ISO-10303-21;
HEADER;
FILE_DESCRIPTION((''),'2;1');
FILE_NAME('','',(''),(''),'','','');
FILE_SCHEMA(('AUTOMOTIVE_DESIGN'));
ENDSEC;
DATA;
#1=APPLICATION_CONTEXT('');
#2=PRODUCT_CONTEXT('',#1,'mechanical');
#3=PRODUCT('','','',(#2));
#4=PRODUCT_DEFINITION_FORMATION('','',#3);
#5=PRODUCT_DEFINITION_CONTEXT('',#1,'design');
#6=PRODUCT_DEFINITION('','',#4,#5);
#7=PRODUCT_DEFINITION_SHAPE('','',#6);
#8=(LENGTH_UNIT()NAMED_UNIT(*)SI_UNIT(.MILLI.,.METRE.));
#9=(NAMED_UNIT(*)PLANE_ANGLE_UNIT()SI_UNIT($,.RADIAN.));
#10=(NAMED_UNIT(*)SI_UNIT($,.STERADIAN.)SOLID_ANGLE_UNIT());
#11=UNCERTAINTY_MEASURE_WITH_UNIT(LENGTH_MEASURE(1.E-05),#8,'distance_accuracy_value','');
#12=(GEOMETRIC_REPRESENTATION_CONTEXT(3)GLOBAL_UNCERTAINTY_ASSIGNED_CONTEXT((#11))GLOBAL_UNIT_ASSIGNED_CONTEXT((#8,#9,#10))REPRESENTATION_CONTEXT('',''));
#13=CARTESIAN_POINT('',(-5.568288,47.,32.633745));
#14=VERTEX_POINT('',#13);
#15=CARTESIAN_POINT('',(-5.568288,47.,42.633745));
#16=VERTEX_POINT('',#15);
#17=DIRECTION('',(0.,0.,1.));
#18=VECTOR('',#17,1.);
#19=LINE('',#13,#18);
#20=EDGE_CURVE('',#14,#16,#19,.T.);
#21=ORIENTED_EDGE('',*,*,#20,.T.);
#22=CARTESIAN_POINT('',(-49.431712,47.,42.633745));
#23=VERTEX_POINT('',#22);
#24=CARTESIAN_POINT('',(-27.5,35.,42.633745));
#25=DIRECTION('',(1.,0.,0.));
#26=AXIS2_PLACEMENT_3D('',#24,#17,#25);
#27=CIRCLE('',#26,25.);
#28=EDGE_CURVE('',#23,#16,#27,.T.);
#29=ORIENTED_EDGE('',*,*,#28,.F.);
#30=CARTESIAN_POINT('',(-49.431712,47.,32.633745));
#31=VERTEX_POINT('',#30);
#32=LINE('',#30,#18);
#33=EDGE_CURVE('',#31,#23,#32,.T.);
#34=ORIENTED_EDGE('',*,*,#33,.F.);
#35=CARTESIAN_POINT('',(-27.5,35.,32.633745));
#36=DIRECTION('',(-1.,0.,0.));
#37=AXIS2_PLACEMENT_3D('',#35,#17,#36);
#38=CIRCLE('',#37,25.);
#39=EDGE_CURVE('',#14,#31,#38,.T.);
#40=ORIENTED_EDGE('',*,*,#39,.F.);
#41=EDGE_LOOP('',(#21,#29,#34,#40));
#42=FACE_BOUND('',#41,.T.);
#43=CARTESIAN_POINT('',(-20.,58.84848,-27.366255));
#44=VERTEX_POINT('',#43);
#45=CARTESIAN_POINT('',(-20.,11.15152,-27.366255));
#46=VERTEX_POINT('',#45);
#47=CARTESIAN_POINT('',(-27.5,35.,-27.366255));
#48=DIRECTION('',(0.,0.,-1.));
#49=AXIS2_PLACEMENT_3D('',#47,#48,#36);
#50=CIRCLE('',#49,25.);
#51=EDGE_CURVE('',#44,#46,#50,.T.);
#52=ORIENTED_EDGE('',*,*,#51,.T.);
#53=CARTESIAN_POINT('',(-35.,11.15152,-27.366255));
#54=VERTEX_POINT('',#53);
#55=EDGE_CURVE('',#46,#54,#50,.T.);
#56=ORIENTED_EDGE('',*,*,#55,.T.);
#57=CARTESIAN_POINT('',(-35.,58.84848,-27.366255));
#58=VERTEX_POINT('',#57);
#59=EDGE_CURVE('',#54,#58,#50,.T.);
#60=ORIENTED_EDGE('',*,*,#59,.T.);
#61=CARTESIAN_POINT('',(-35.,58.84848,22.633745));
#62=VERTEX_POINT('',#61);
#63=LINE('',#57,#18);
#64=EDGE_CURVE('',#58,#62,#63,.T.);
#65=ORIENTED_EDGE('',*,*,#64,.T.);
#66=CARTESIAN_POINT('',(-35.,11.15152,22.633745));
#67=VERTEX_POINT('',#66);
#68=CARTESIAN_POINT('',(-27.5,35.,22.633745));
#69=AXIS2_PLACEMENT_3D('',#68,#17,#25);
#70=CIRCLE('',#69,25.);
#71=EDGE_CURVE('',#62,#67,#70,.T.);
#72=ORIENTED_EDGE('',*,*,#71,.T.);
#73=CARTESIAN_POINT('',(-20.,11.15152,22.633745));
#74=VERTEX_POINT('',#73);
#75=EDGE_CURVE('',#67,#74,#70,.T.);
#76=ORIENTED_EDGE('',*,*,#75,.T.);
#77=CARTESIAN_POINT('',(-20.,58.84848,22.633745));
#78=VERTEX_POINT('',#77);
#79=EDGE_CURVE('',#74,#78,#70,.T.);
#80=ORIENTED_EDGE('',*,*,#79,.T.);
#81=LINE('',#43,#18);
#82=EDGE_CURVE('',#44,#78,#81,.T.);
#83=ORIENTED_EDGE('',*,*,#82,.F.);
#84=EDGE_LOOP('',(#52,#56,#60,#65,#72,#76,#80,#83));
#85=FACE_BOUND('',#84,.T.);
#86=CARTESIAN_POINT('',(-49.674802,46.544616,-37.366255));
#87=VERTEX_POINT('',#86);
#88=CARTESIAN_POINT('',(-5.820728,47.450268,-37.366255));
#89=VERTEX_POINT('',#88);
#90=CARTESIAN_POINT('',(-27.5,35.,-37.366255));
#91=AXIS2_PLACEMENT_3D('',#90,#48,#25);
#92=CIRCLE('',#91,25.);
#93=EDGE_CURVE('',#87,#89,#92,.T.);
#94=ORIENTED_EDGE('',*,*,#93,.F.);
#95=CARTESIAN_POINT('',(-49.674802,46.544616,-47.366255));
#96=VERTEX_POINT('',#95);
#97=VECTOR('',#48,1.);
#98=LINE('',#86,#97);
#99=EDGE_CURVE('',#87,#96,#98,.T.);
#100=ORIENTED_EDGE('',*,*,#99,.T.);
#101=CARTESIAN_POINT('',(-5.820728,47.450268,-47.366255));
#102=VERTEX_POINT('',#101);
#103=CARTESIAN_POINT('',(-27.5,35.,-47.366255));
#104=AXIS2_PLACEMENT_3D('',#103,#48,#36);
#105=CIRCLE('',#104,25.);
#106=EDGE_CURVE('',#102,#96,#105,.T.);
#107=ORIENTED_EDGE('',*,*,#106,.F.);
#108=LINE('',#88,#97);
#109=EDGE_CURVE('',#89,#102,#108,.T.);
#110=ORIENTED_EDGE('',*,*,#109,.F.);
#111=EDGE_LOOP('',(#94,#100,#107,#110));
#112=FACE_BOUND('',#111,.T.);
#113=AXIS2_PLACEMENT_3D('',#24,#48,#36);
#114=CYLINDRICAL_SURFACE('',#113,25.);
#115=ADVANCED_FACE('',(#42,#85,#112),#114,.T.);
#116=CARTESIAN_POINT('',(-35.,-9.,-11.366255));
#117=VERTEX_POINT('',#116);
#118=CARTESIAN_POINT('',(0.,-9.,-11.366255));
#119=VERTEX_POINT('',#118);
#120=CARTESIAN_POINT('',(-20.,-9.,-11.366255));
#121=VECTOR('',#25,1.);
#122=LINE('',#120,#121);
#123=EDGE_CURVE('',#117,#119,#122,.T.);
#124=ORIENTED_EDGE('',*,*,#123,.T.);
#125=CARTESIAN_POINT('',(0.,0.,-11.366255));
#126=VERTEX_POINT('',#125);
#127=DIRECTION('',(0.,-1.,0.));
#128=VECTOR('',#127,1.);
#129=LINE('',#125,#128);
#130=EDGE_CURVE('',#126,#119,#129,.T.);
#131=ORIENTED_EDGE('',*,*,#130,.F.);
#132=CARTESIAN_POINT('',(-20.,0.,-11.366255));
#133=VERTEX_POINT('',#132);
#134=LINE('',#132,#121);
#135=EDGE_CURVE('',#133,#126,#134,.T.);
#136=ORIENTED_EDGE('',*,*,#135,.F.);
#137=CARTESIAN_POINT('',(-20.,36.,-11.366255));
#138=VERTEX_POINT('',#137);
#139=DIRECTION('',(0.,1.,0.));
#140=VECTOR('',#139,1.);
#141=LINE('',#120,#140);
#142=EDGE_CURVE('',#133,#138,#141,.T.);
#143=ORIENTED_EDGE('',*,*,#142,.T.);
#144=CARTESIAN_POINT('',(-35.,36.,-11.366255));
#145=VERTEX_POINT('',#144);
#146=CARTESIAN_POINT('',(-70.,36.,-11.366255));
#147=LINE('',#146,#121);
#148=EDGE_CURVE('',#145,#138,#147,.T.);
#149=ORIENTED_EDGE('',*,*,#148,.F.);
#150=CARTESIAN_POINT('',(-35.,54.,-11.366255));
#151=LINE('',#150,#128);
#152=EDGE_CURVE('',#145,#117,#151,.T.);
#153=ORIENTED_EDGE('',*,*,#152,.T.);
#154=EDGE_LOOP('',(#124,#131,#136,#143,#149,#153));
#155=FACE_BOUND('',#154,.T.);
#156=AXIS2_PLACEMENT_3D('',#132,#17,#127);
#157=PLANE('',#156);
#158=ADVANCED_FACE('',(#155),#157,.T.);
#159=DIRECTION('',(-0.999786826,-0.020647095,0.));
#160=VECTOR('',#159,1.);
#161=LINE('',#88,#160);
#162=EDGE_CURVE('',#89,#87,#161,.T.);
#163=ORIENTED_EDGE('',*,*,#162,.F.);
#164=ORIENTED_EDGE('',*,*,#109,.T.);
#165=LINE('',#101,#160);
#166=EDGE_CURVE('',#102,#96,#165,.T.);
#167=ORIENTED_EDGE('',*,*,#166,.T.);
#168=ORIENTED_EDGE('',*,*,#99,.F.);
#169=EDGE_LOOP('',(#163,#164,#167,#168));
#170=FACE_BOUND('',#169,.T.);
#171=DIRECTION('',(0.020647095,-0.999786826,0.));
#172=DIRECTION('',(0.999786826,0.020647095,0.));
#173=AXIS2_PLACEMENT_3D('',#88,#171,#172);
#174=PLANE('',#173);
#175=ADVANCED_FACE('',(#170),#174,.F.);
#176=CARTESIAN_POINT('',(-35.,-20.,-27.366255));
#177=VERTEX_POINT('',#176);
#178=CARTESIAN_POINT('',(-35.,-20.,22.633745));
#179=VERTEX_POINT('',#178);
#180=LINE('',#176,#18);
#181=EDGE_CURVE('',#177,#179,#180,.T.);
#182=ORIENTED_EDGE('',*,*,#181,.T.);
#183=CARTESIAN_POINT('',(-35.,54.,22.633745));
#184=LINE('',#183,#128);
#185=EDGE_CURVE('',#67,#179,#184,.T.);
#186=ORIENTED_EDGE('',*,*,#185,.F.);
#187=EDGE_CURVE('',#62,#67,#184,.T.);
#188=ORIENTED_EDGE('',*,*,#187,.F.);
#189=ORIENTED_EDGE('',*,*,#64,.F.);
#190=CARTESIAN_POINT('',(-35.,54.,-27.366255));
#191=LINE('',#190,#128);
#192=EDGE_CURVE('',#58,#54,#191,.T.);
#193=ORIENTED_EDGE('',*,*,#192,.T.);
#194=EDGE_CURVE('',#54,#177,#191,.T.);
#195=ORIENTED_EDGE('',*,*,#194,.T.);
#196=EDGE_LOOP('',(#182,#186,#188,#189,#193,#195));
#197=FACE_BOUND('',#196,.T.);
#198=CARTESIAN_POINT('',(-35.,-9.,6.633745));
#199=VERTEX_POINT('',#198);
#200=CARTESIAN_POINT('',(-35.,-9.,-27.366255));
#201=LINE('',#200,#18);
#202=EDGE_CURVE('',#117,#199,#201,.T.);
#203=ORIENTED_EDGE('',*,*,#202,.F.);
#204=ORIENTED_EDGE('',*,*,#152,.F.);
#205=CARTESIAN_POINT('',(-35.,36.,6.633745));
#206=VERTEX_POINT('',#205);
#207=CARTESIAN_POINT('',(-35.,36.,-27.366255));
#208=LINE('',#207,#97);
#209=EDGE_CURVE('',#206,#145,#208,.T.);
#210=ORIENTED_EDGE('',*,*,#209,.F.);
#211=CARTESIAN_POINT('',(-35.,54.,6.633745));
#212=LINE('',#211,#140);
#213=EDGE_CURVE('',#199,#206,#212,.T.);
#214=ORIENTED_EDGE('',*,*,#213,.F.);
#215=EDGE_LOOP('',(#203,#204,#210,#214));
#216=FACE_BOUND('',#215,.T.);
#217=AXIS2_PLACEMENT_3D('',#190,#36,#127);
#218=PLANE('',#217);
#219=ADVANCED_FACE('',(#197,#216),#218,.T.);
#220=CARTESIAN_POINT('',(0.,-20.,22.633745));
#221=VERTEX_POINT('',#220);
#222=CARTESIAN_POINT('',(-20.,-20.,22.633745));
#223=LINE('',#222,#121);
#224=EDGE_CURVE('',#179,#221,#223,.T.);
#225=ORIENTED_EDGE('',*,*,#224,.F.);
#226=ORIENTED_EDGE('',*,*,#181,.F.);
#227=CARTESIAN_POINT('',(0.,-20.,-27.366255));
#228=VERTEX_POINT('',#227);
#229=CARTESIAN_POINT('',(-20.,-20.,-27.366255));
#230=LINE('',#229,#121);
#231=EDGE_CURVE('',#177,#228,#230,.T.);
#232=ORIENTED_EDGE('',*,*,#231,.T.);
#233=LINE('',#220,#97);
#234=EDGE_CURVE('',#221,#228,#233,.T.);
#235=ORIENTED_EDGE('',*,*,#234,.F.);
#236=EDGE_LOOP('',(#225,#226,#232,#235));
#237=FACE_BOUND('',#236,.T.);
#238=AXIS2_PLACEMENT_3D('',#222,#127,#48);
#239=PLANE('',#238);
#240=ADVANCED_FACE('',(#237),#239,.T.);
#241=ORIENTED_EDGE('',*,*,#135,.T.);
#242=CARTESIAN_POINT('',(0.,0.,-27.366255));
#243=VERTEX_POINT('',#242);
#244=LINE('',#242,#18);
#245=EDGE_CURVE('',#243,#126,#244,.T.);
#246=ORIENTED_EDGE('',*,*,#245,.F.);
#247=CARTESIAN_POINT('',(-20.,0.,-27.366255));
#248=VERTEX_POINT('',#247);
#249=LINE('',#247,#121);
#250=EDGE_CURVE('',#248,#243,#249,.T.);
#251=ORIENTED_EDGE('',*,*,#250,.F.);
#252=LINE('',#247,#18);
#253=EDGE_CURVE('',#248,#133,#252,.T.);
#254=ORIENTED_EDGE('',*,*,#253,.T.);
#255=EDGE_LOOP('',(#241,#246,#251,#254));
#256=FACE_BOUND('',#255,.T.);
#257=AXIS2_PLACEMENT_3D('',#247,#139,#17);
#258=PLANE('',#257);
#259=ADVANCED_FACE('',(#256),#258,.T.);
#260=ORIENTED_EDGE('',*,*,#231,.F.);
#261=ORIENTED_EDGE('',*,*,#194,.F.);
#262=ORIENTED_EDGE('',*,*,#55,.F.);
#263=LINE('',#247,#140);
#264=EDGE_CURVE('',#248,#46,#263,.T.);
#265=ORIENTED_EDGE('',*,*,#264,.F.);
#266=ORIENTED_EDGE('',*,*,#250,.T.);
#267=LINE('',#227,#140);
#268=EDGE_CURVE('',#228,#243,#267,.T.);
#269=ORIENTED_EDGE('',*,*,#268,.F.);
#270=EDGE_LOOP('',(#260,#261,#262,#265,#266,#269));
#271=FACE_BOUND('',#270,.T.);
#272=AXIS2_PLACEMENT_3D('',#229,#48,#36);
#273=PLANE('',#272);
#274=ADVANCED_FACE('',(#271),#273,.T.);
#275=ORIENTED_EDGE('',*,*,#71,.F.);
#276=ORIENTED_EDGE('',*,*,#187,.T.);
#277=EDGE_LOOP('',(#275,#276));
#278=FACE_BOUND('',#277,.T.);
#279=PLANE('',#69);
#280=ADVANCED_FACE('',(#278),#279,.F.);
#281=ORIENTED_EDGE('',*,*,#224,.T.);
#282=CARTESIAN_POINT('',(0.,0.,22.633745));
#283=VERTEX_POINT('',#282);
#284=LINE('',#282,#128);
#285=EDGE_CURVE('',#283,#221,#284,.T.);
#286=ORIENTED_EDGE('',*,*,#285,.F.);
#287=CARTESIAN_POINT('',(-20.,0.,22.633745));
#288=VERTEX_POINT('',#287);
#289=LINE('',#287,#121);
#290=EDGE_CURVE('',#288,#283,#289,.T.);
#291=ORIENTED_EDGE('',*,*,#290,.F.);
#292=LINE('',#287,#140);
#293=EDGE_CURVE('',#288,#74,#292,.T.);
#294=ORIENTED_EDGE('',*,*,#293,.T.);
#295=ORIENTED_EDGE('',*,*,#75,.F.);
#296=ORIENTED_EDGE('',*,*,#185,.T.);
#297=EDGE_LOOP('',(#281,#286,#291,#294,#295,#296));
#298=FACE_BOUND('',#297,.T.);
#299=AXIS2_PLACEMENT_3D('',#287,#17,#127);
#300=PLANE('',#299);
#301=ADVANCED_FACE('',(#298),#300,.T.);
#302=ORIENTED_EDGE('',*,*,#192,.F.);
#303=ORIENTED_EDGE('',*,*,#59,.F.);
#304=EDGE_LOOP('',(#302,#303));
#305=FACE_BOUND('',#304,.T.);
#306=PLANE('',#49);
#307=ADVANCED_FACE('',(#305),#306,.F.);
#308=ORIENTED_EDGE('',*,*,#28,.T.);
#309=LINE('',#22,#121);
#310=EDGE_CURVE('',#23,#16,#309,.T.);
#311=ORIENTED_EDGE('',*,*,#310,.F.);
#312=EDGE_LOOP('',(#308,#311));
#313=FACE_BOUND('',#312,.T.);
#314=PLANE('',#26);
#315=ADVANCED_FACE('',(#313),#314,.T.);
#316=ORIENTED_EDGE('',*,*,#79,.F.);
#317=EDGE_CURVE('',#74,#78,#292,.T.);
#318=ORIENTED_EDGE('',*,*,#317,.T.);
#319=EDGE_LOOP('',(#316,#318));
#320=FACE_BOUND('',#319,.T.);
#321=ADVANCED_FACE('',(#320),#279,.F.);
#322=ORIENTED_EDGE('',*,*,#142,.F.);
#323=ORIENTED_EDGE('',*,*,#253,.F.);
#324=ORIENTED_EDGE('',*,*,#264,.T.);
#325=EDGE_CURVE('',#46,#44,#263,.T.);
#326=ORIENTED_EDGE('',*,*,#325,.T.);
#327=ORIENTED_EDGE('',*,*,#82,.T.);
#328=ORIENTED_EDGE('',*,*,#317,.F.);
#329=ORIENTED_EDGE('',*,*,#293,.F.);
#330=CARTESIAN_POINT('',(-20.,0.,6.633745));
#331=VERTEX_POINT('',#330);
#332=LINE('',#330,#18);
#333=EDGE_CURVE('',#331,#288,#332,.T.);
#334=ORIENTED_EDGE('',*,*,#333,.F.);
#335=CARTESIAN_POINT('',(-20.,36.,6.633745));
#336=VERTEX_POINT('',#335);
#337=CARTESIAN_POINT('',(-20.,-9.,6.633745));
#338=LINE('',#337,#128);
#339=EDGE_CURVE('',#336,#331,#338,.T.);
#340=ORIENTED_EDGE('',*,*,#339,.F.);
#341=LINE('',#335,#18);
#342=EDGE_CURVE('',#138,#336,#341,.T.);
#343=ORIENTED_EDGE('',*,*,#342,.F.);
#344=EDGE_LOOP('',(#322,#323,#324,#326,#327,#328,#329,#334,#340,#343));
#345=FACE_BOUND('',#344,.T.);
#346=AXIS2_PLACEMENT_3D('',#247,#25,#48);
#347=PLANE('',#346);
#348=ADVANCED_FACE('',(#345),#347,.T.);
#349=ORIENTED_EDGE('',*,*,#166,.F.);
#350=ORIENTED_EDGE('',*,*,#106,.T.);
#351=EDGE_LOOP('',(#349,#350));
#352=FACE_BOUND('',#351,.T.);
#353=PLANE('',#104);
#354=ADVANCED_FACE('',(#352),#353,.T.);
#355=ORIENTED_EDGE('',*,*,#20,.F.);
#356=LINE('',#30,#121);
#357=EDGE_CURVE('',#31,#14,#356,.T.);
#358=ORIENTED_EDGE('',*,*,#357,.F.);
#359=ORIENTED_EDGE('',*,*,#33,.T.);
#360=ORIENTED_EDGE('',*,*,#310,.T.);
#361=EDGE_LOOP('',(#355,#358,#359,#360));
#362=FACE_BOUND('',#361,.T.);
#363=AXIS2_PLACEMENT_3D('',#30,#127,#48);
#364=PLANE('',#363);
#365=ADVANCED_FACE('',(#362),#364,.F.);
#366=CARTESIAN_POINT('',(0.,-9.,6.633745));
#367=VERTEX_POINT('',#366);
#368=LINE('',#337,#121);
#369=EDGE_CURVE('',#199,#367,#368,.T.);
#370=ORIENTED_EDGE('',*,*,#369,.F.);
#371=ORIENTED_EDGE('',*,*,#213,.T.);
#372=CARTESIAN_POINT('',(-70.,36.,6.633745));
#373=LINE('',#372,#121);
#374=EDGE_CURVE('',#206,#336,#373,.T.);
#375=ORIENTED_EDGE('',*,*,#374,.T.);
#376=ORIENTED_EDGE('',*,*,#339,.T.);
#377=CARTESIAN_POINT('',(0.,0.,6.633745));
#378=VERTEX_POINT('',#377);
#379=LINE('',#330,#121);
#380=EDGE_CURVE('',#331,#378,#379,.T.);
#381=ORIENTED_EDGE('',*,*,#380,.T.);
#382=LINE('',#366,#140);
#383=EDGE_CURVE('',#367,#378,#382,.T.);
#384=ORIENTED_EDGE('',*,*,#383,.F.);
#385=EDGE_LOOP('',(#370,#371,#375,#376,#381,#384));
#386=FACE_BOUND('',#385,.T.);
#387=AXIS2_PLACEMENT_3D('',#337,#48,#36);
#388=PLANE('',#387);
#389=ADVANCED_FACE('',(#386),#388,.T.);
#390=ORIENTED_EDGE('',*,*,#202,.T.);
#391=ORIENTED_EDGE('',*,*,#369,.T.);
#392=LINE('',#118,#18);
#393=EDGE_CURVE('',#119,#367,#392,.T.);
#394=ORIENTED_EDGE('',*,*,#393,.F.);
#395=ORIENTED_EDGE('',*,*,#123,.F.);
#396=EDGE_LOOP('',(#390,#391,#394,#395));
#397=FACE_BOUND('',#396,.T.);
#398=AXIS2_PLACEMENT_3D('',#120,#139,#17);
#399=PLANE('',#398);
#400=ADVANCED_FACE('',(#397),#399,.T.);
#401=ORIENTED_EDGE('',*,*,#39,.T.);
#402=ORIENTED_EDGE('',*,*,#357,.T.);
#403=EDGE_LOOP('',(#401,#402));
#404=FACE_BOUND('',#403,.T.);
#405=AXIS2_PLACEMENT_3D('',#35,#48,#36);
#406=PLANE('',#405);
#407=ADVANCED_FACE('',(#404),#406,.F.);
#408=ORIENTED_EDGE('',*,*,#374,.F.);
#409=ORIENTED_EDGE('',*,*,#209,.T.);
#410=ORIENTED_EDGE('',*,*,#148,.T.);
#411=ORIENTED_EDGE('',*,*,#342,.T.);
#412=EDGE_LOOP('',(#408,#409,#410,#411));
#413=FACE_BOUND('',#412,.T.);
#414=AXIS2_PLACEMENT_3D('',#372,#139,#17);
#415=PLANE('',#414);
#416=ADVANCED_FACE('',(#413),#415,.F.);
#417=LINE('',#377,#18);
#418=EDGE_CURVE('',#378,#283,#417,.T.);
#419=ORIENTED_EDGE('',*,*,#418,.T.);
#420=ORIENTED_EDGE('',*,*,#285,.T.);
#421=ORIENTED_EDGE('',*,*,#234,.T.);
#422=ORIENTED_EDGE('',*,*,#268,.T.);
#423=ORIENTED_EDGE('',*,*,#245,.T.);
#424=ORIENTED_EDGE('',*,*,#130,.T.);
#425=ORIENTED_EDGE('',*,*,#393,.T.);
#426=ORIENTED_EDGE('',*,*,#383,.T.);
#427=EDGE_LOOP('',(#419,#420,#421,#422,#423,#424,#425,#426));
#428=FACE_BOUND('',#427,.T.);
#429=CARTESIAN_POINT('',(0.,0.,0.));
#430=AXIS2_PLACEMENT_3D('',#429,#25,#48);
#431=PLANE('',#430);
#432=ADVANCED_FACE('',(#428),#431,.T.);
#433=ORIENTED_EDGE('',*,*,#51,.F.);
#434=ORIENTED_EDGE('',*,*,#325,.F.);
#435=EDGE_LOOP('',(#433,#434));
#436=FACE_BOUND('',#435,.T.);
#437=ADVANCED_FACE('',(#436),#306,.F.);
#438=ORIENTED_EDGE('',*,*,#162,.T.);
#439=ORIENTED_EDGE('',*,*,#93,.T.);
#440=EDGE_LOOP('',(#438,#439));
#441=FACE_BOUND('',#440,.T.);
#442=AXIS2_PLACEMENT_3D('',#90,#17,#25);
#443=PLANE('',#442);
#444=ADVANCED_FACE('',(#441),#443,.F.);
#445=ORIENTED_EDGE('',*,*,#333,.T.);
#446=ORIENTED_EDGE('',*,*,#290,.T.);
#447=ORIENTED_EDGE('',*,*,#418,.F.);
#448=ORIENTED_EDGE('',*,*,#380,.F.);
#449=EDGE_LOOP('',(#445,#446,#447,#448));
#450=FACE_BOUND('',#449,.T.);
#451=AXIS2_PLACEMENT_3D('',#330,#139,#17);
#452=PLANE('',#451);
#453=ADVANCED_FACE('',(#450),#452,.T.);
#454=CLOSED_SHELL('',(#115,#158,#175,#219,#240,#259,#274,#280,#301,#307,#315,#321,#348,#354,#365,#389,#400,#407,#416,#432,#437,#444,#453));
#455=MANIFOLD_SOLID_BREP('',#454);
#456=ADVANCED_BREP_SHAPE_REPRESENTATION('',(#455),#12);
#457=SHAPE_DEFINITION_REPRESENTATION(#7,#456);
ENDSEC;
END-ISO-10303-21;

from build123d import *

# Parameters (mm, degrees)
BOSS_EXTRUDE1_DEPTH = 20
BOSS_EXTRUDE2_DEPTH = 50
SKETCH3_W           = 18
SKETCH3_H           = 45
CUT_EXTRUDE1_DEPTH  = 50
SKETCH4_R           = 25
BOSS_EXTRUDE3_DEPTH = 20
CUT_EXTRUDE2_START  = -10
CUT_EXTRUDE2_DEPTH  = 10
BOSS_EXTRUDE4_START = 50
BOSS_EXTRUDE4_DEPTH = 50
BOSS_EXTRUDE5_START = 20
SKETCH7_R           = 25
BOSS_EXTRUDE5_DEPTH = 20
CUT_EXTRUDE3_DEPTH  = 10


with BuildPart() as part:
    # Sketch1 → Boss-Extrude1 (new body)
    with BuildSketch(Plane(origin=(0, 0, 0), x_dir=(0, 0, -1), z_dir=(1, 0, 0))):
        Polygon((-22.633744856, 0), (-22.633744856, -20), (27.366255144, -20), (27.366255144, 0), (11.366255144, 0), (11.366255144, -9), (-6.633744856, -9), (-6.633744856, 0), align=None)
    extrude(amount=-BOSS_EXTRUDE1_DEPTH)

    # Sketch2 → Boss-Extrude2 (add)
    with BuildSketch(Plane.XY.offset(22.633744856)):
        Polygon((-20, 0), (-20, 54), (-35, 54), (-35, -20), (-20, -20), align=None)
    extrude(amount=-BOSS_EXTRUDE2_DEPTH)

    # Sketch3 → Cut-Extrude1 (cut)
    with BuildSketch(Plane(origin=(-20, 0, 0), x_dir=(0, 0, -1), z_dir=(1, 0, 0))):
        with Locations((2.366255144, 13.5)):
            Rectangle(SKETCH3_W, SKETCH3_H)
    extrude(amount=-CUT_EXTRUDE1_DEPTH, mode=Mode.SUBTRACT)

    # Sketch4 → Boss-Extrude3 (add)
    with BuildSketch(Plane.XY.offset(22.633744856)):
        with Locations(Location((-27.5, 35, 0), (0, 0, 252.542396876))):
            Circle(SKETCH4_R)
    extrude(amount=BOSS_EXTRUDE3_DEPTH)

    # Sketch5 → Cut-Extrude2 (cut)
    with BuildSketch(Plane.XY.offset(42.633744856).offset(CUT_EXTRUDE2_START)):
        with BuildLine():
            Line((-49.431712199, 47), (-5.568287801, 47))
            ThreePointArc((-5.568287801, 47), (-27.5, 60), (-49.431712199, 47))
        make_face()
    extrude(amount=CUT_EXTRUDE2_DEPTH, mode=Mode.SUBTRACT)

    # Sketch6 → Boss-Extrude4 (add)
    with BuildSketch(Plane(origin=(0, 0, 22.633744856), x_dir=(-1, 0, 0), z_dir=(0, 0, -1)).offset(BOSS_EXTRUDE4_START)):
        with BuildLine():
            Line((20, 54), (20, 58.848480035))
            ThreePointArc((20, 58.848480035), (27.5, 60), (35, 58.848480035))
            Line((35, 58.848480035), (35, 54))
            Line((35, 54), (20, 54))
        make_face()
    extrude(amount=-BOSS_EXTRUDE4_DEPTH)

    # Sketch7 → Boss-Extrude5 (add)
    with BuildSketch(Plane(origin=(0, 0, -27.366255144), x_dir=(-1, 0, 0), z_dir=(0, 0, -1)).offset(BOSS_EXTRUDE5_START)):
        with Locations((27.5, 35)):
            Circle(SKETCH7_R)
    extrude(amount=-BOSS_EXTRUDE5_DEPTH)

    # Sketch8 → Cut-Extrude3 (cut)
    with BuildSketch(Plane(origin=(0, 0, -47.366255144), x_dir=(-1, 0, 0), z_dir=(0, 0, -1))):
        with BuildLine():
            Line((5.820728213, 47.450268061), (49.674802071, 46.544615764))
            ThreePointArc((49.674802071, 46.544615764), (28.016177379, 59.99467065), (5.820728213, 47.450268061))
        make_face()
    extrude(amount=-CUT_EXTRUDE3_DEPTH, mode=Mode.SUBTRACT)


solid = part.part
